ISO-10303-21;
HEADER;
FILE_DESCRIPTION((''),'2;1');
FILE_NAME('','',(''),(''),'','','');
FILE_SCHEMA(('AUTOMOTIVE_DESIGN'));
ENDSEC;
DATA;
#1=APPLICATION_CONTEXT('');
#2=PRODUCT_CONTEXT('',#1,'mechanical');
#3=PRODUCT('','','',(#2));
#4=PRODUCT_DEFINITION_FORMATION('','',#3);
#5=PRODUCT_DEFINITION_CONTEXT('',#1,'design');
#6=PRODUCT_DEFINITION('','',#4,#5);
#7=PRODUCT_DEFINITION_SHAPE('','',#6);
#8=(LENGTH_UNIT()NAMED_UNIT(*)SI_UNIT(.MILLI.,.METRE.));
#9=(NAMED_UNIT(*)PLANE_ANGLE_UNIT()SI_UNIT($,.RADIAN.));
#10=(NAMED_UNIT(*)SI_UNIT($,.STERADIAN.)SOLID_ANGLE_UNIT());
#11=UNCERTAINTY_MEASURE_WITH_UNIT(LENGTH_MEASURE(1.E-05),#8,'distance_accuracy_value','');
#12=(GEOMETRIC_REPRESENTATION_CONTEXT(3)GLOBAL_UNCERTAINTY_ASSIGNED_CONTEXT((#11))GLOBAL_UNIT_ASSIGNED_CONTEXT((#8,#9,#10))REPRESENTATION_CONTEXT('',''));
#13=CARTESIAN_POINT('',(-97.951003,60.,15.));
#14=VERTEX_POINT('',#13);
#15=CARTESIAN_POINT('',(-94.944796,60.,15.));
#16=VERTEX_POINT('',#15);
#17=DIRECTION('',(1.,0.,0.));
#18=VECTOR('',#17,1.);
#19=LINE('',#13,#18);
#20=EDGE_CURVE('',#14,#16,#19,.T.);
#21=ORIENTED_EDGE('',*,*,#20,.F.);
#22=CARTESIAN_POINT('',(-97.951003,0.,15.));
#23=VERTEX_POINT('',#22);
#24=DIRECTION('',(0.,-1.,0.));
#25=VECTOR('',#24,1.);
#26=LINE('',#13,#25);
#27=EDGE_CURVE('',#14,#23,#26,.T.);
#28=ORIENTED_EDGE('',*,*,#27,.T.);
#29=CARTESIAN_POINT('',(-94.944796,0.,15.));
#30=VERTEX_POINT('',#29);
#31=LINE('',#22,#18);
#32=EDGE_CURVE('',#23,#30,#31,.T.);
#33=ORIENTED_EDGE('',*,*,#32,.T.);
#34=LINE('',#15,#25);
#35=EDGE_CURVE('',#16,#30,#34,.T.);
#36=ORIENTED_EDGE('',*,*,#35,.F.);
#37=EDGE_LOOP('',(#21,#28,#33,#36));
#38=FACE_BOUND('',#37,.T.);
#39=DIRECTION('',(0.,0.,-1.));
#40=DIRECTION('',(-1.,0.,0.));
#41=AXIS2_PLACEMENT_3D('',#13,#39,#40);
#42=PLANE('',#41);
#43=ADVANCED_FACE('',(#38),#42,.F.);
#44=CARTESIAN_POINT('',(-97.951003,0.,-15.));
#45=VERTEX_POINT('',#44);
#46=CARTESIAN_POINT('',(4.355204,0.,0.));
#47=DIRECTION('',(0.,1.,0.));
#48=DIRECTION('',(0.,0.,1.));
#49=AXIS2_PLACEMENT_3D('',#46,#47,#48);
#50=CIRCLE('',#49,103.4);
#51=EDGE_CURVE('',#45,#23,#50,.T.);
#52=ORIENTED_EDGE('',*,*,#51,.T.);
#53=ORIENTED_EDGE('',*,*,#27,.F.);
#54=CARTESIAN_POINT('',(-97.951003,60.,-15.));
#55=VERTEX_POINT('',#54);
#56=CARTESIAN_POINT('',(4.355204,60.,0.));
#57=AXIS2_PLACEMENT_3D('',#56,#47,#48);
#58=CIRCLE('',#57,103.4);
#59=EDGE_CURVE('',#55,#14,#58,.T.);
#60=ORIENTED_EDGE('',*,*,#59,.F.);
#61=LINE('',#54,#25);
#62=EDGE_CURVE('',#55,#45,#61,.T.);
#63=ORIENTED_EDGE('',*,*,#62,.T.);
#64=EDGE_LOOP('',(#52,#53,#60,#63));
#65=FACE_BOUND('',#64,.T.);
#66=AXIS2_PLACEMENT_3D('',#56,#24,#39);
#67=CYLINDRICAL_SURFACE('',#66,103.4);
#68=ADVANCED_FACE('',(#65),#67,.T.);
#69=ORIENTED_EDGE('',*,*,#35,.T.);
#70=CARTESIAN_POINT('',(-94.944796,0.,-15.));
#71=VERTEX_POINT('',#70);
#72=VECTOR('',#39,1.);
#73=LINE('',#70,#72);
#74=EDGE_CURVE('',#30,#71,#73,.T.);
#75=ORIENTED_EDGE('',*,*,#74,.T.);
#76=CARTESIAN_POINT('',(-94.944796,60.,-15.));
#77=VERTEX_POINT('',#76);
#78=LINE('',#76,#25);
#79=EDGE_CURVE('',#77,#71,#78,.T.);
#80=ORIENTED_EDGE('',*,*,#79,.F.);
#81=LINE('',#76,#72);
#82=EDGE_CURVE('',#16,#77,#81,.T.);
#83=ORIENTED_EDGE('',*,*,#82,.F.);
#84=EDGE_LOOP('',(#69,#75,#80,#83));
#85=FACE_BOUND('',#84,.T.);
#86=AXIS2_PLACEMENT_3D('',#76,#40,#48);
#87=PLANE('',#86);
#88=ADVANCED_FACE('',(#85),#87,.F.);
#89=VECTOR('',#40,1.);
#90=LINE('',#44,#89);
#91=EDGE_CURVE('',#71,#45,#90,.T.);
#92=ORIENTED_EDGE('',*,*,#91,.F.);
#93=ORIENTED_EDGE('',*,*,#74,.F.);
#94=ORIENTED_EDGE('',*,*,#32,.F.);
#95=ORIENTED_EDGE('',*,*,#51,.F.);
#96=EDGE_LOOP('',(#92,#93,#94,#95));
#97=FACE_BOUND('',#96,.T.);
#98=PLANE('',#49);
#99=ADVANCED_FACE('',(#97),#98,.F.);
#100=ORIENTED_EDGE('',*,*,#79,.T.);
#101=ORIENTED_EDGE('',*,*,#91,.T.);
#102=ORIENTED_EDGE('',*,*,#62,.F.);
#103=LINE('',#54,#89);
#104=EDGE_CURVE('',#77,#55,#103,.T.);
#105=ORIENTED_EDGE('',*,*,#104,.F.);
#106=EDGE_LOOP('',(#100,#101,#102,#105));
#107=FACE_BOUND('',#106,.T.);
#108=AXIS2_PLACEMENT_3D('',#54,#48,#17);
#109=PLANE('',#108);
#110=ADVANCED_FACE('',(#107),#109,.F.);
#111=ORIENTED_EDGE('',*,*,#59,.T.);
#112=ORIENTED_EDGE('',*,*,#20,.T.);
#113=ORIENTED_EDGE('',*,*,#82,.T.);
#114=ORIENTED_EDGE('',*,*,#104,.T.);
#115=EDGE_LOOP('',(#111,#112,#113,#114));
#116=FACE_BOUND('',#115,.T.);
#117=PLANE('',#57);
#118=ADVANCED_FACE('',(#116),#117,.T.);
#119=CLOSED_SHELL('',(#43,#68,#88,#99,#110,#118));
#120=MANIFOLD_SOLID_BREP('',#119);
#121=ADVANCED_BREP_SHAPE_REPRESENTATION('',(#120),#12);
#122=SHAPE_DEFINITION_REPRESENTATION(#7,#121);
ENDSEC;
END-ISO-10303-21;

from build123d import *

# Parameters (mm, degrees)
EXTRUDE_1_DEPTH = 60


with BuildPart() as part:
    # 草图1 → 凸台-拉伸1 (new body)
    with BuildSketch(Plane(origin=(0, 0, 0), x_dir=(1, 0, 0), z_dir=(0, 1, 0))):
        with BuildLine():
            Line((-97.95100271, 15), (-94.944795665, 15))
            Line((-94.944795665, 15), (-94.944795665, -15))
            Line((-94.944795665, -15), (-97.95100271, -15))
            ThreePointArc((-97.95100271, -15), (-99.044795665, 0), (-97.95100271, 15))
        make_face()
    extrude(amount=EXTRUDE_1_DEPTH)


solid = part.part
